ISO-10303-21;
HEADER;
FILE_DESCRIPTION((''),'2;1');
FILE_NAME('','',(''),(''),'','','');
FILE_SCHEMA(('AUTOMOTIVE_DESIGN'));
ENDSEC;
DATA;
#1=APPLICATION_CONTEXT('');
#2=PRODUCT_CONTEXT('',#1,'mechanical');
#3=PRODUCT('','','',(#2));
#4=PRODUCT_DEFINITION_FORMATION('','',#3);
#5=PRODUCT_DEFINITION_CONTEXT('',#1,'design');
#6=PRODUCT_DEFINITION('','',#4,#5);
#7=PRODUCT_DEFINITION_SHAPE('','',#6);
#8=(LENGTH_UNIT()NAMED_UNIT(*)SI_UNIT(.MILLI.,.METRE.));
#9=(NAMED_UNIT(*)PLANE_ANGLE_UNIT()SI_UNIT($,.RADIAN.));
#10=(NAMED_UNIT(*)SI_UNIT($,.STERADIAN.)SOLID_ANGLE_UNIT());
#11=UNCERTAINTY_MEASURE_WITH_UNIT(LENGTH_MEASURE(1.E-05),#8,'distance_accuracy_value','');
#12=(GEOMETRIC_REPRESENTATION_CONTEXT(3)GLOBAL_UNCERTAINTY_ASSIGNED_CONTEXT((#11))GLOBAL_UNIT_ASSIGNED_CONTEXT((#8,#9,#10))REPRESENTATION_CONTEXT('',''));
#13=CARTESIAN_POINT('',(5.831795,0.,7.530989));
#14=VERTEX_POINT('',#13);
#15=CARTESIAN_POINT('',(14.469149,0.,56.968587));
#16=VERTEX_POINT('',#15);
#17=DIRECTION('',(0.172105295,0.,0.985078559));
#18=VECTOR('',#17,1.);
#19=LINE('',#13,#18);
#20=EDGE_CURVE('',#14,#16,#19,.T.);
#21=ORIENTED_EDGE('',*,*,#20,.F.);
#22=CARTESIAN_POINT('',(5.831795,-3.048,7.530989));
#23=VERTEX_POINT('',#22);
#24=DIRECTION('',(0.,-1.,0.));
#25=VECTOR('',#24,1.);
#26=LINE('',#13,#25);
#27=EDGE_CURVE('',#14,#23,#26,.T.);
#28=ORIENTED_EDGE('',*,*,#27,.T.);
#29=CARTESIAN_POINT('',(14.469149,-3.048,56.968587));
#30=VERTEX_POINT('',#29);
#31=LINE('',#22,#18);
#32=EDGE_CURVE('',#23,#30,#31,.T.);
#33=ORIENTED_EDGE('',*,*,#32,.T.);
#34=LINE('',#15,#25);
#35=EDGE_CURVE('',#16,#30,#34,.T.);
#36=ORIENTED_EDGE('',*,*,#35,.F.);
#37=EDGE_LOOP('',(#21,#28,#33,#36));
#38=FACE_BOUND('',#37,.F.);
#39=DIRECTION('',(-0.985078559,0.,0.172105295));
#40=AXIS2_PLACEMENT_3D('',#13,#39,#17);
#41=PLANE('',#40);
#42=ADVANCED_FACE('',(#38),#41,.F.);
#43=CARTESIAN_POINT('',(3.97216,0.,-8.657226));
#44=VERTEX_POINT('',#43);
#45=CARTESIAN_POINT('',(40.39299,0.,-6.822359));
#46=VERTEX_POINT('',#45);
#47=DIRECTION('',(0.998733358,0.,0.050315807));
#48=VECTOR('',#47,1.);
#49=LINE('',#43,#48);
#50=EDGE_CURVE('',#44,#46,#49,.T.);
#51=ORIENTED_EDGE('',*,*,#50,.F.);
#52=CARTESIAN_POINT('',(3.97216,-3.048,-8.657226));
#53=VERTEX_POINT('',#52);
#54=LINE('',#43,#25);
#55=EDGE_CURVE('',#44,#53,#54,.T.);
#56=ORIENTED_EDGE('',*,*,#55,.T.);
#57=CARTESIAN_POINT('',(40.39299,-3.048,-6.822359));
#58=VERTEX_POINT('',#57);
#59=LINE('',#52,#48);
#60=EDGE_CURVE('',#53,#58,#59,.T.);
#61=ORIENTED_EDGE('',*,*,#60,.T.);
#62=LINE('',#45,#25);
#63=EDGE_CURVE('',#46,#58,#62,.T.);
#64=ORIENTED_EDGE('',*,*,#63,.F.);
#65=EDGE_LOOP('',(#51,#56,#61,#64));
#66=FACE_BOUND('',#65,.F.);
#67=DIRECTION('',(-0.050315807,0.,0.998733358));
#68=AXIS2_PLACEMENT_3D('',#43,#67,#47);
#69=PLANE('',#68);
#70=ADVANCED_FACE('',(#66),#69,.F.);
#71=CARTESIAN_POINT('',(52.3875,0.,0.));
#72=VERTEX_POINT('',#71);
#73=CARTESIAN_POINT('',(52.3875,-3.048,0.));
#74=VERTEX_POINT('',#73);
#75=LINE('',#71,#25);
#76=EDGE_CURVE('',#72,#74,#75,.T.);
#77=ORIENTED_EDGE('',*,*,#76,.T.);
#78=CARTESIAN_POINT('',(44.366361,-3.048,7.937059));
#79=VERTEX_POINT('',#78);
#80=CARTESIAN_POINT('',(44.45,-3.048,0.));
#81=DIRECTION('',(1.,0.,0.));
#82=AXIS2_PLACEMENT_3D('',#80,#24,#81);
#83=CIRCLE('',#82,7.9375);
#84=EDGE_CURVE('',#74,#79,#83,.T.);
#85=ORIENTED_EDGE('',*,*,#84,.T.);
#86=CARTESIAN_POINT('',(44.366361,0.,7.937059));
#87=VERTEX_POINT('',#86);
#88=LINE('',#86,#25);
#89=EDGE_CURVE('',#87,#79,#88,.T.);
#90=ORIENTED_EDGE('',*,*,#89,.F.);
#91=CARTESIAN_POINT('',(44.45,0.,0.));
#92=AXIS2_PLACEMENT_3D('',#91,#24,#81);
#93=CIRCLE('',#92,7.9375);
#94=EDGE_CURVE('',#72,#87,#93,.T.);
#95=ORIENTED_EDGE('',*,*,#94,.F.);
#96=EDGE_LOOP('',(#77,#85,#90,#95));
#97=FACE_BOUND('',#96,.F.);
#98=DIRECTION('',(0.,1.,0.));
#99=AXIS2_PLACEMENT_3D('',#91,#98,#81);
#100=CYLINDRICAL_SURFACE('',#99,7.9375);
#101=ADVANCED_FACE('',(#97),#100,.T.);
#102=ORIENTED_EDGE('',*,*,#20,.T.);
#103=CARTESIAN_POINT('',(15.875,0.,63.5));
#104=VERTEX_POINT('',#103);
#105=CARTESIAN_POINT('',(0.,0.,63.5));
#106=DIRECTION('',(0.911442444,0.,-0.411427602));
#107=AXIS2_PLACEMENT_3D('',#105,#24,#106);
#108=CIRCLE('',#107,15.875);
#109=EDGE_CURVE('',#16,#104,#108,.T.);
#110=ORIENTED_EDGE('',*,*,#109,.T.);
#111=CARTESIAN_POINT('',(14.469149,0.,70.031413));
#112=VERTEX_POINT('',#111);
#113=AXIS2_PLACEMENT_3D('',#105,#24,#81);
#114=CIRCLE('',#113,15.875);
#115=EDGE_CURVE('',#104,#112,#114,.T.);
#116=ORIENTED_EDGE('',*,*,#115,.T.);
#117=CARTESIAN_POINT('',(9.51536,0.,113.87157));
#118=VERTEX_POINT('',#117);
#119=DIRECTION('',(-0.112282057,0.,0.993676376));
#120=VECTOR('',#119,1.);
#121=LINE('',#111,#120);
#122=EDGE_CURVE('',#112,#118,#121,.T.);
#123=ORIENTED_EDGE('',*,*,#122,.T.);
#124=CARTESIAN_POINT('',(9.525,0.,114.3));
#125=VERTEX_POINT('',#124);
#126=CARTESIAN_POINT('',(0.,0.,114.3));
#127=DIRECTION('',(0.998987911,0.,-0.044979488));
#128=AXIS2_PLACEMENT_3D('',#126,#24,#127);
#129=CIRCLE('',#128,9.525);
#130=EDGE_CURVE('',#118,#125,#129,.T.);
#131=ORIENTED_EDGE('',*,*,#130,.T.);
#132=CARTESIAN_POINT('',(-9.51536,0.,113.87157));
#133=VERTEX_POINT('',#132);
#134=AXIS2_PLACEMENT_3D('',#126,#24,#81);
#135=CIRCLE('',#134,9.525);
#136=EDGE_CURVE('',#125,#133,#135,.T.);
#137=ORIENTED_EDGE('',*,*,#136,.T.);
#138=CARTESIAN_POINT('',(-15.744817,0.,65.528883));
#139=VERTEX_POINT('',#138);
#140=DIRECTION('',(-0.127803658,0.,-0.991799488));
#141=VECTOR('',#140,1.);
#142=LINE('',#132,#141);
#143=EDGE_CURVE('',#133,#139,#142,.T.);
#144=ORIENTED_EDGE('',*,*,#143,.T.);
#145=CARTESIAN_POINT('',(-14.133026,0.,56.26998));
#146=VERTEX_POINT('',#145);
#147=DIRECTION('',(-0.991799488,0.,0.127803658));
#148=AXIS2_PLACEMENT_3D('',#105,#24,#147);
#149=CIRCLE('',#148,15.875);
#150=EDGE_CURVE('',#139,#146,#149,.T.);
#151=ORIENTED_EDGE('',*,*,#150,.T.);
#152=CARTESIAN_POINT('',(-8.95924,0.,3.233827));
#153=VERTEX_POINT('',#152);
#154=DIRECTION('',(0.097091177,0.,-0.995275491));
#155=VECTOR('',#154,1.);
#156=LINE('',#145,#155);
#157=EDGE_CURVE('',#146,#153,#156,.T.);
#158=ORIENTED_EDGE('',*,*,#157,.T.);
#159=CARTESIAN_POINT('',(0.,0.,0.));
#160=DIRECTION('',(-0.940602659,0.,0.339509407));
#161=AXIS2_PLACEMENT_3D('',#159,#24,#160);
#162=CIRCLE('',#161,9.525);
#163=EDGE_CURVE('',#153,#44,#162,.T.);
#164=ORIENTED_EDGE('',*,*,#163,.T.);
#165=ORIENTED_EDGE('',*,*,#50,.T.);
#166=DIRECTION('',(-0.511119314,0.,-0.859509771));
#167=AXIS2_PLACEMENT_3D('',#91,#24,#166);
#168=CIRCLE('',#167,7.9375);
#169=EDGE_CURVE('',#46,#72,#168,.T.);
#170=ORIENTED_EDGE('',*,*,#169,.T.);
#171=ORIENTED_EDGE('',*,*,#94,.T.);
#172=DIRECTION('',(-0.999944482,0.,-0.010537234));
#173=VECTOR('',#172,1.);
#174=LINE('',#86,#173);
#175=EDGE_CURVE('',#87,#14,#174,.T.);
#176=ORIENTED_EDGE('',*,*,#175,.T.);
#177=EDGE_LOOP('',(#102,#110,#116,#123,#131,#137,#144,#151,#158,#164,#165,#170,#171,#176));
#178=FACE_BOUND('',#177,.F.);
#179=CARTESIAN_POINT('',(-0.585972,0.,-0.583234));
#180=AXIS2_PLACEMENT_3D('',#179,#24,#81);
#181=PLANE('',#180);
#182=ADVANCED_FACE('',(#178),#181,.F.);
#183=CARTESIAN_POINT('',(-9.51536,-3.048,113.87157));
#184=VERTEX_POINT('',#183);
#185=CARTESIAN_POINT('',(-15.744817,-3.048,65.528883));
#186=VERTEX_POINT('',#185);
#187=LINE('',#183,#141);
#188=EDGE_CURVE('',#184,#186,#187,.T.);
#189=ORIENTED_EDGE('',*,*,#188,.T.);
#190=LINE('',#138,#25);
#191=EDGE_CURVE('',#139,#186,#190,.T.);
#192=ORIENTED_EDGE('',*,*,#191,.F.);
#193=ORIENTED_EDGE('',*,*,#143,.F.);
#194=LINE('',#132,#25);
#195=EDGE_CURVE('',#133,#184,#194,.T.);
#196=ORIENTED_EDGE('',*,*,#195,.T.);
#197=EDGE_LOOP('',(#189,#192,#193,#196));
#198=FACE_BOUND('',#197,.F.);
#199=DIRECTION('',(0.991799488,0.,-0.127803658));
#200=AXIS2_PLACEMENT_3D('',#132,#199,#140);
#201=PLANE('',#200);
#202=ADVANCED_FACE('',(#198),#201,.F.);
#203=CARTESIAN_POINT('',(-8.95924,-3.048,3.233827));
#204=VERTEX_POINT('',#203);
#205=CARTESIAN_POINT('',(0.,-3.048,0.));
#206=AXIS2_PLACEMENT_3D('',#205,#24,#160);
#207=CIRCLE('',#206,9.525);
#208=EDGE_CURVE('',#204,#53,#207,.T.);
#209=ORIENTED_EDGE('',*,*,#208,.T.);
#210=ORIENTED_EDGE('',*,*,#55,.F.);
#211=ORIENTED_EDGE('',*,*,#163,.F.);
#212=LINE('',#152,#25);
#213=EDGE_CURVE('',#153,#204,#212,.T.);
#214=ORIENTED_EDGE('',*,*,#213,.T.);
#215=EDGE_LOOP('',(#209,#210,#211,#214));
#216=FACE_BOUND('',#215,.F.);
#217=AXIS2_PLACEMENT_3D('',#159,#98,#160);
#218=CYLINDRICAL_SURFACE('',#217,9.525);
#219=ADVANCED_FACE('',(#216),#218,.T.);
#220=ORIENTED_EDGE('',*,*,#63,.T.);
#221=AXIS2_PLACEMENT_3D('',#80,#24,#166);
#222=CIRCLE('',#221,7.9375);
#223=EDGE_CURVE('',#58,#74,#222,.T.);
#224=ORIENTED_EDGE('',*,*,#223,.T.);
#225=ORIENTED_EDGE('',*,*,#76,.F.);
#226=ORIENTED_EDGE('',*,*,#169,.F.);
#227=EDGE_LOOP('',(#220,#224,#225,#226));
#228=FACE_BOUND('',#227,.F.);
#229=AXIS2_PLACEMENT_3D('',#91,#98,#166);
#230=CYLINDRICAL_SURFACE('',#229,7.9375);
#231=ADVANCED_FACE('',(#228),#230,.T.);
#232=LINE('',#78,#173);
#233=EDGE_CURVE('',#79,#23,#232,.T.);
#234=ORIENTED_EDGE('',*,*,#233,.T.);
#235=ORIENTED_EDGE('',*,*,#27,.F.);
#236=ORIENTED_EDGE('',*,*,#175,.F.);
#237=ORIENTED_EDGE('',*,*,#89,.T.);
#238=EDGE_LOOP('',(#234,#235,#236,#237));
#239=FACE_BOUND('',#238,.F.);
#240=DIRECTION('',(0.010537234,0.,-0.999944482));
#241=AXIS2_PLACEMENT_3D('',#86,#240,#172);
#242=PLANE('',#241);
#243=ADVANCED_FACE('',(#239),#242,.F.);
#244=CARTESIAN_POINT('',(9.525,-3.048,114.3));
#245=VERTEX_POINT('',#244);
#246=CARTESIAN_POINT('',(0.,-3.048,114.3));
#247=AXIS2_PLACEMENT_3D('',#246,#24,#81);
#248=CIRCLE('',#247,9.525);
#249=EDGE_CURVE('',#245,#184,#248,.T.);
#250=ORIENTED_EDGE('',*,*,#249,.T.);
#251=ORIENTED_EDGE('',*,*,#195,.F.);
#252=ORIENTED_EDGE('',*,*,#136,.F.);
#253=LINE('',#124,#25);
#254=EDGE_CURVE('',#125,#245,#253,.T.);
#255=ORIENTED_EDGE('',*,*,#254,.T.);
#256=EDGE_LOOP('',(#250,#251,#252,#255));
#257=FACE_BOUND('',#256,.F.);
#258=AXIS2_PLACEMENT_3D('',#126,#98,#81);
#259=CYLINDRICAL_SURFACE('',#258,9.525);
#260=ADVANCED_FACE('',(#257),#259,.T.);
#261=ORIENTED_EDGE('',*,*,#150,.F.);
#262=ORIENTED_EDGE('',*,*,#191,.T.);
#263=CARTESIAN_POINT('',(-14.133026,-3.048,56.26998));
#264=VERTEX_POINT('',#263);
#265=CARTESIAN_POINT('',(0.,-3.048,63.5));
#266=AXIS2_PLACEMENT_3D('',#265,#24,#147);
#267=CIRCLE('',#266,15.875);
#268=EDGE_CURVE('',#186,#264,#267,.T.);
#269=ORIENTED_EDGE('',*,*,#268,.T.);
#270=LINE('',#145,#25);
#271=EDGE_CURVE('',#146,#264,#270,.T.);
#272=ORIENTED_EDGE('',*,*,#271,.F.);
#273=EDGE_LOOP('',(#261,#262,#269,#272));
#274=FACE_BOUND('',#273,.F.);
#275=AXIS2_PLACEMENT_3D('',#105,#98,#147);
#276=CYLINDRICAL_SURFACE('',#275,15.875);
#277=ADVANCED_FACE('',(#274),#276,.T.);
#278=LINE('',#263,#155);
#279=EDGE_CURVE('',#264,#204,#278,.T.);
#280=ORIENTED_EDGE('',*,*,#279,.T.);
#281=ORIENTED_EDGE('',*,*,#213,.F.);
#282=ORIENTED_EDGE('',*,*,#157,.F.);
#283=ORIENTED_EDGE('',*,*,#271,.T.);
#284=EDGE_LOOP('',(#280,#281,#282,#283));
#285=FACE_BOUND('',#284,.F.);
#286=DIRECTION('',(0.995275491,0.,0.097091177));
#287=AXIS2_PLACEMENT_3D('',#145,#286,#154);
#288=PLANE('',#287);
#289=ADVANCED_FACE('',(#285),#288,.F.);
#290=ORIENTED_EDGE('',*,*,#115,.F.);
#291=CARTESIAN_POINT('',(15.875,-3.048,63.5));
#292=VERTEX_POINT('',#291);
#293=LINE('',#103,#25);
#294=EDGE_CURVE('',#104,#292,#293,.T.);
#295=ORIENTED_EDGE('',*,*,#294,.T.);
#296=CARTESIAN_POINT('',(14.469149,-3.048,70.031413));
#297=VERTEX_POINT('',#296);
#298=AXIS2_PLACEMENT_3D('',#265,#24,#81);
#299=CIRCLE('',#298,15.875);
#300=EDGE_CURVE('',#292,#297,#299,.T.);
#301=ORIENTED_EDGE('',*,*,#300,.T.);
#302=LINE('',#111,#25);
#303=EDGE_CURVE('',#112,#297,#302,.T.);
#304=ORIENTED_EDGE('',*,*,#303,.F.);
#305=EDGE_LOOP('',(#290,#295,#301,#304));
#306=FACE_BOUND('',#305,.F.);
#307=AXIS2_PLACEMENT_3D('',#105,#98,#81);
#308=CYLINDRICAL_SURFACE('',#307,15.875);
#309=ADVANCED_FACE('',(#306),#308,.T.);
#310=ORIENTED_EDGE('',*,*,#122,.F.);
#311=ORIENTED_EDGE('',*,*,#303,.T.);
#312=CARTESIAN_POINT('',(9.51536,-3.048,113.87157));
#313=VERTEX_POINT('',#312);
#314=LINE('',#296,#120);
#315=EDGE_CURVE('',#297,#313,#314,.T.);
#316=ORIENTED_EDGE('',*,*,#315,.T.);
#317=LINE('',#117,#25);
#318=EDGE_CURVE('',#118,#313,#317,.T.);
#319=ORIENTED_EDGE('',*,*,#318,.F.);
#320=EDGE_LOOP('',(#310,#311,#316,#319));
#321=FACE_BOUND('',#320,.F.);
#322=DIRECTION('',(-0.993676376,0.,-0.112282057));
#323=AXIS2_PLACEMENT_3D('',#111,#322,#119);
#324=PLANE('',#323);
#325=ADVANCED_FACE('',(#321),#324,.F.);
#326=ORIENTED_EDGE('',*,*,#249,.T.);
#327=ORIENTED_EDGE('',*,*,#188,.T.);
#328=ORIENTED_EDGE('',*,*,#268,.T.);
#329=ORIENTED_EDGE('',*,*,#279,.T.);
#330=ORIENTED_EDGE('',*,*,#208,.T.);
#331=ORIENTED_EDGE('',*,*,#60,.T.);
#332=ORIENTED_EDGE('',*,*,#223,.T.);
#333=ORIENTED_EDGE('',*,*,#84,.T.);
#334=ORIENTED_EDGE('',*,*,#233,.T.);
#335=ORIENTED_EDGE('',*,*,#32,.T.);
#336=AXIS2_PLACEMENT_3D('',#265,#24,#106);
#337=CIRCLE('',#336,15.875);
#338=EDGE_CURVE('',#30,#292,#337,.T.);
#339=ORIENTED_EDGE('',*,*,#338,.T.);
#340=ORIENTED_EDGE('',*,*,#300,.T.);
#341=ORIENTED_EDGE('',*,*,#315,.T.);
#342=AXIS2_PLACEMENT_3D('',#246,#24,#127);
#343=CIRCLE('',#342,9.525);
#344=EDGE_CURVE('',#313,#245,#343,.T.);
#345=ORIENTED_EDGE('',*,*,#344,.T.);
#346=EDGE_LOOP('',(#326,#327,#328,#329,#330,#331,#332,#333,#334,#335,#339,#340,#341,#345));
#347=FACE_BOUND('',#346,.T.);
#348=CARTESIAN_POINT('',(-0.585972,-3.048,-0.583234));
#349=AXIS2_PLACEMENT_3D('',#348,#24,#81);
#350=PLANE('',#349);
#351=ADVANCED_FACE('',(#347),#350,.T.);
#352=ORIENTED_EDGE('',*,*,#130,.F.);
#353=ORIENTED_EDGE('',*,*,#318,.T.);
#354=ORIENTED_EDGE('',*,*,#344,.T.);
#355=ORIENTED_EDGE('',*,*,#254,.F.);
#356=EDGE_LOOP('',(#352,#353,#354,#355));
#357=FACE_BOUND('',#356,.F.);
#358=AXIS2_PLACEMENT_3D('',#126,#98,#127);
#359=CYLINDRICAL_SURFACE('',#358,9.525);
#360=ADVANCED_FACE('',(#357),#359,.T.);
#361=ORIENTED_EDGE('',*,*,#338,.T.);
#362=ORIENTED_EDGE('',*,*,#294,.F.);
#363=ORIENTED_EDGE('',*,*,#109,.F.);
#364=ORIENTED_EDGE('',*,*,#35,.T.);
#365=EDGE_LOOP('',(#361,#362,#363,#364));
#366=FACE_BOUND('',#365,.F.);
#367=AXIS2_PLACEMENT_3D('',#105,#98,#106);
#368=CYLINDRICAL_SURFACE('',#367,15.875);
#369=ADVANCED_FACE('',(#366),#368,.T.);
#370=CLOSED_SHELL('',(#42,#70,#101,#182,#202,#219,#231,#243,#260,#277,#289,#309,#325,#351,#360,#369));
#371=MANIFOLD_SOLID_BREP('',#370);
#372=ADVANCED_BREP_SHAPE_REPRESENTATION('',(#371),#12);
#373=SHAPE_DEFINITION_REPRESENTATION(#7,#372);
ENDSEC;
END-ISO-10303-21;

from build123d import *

# Parameters (mm, degrees)
F1_DEPTH = 3.048


with BuildPart() as f1:
    # F0 (on Front) → F1 (new body)
    with BuildSketch(Plane.XZ):
        with BuildLine():
            Line((9.525, 0), (0, 0))
            Line((0, 0), (0, 9.525))
            ThreePointArc((0, 9.525), (-5.473729162, 7.7951211704), (-8.95924033, 3.2338270994))
            ThreePointArc((-8.95924033, 3.2338270994), (-6.4472498387, -7.0113190283), (3.9721601425, -8.657226392))
            ThreePointArc((3.9721601425, -8.657226392), (8.0174949441, -5.1425090978), (9.525, 0))
        make_face()
        with BuildLine():
            Line((0, 9.525), (0, 0))
            Line((0, 0), (9.525, 0))
            ThreePointArc((9.525, 0), (8.5520017953, 4.1939110974), (5.8317946892, 7.5309890255))
            ThreePointArc((5.8317946892, 7.5309890255), (3.0816354856, 9.0127214388), (0, 9.525))
        make_face()
        with BuildLine():
            ThreePointArc((-8.95924033, 3.2338270994), (-5.473729162, 7.7951211704), (0, 9.525))
            Line((0, 9.525), (0, 47.625))
            ThreePointArc((0, 47.625), (-8.2836905365, 49.957618522), (-14.1330264303, 56.2699800194))
            Line((-14.1330264303, 56.2699800194), (-8.95924033, 3.2338270994))
        make_face()
        with BuildLine():
            Line((0, 47.625), (0, 9.525))
            ThreePointArc((0, 9.525), (3.0816354856, 9.0127214388), (5.8317946892, 7.5309890255))
            Line((5.8317946892, 7.5309890255), (14.4691487973, 56.9685868235))
            ThreePointArc((14.4691487973, 56.9685868235), (8.6118941245, 50.1639246932), (0, 47.625))
        make_face()
        with BuildLine():
            Line((36.5125, 0), (9.525, 0))
            ThreePointArc((9.525, 0), (8.0174949441, -5.1425090978), (3.9721601425, -8.657226392))
            Line((3.9721601425, -8.657226392), (40.3929904428, -6.8223588078))
            ThreePointArc((40.3929904428, -6.8223588078), (37.5504920607, -3.9243721084), (36.5125, 0))
        make_face()
        with BuildLine():
            ThreePointArc((5.8317946892, 7.5309890255), (8.5520017953, 4.1939110974), (9.525, 0))
            Line((9.525, 0), (36.5125, 0))
            ThreePointArc((36.5125, 0), (38.8078464582, 5.5830108061), (44.366360702, 7.9370593243))
            Line((44.366360702, 7.9370593243), (5.8317946892, 7.5309890255))
        make_face()
        with BuildLine():
            ThreePointArc((-14.1330264303, 56.2699800194), (-8.2836905365, 49.957618522), (0, 47.625))
            Line((0, 47.625), (0, 63.5))
            Line((0, 63.5), (0, 79.375))
            ThreePointArc((0, 79.375), (-10.4834895471, 75.4210767935), (-15.7448168762, 65.528883076))
            ThreePointArc((-15.7448168762, 65.528883076), (-15.6397954467, 60.7774233922), (-14.1330264303, 56.2699800194))
        make_face()
        with BuildLine():
            Line((0, 63.5), (0, 47.625))
            ThreePointArc((0, 47.625), (8.6118941245, 50.1639246932), (14.4691487973, 56.9685868235))
            ThreePointArc((14.4691487973, 56.9685868235), (15.5195580181, 60.1594994505), (15.875, 63.5))
            ThreePointArc((15.875, 63.5), (15.5195580181, 66.8405005495), (14.4691487973, 70.0314131765))
            ThreePointArc((14.4691487973, 70.0314131765), (8.6118941245, 76.8360753068), (0, 79.375))
            Line((0, 79.375), (0, 63.5))
        make_face()
        with BuildLine():
            ThreePointArc((44.366360702, 7.9370593243), (38.8078464582, 5.5830108061), (36.5125, 0))
            ThreePointArc((36.5125, 0), (37.5504920607, -3.9243721084), (40.3929904428, -6.8223588078))
            ThreePointArc((40.3929904428, -6.8223588078), (48.3743721084, -6.8995079393), (52.3875, 0))
            ThreePointArc((52.3875, 0), (50.0330108061, 5.6421535418), (44.366360702, 7.9370593243))
        make_face()
        with BuildLine():
            Line((0, 104.775), (0, 79.375))
            ThreePointArc((0, 79.375), (8.6118941245, 76.8360753068), (14.4691487973, 70.0314131765))
            Line((14.4691487973, 70.0314131765), (9.5153598494, 113.8715703832))
            ThreePointArc((9.5153598494, 113.8715703832), (6.581976637, 107.4150011946), (0, 104.775))
        make_face()
        with BuildLine():
            ThreePointArc((-15.7448168762, 65.528883076), (-10.4834895471, 75.4210767935), (0, 79.375))
            Line((0, 79.375), (0, 104.775))
            ThreePointArc((0, 104.775), (-6.581976637, 107.4150011946), (-9.5153598494, 113.8715703832))
            Line((-9.5153598494, 113.8715703832), (-15.7448168762, 65.528883076))
        make_face()
        with BuildLine():
            ThreePointArc((-9.5153598494, 113.8715703832), (-6.581976637, 107.4150011946), (0, 104.775))
            ThreePointArc((0, 104.775), (6.581976637, 107.4150011946), (9.5153598494, 113.8715703832))
            ThreePointArc((9.5153598494, 113.8715703832), (9.5225896574, 114.0857309699), (9.525, 114.3))
            ThreePointArc((9.525, 114.3), (-0.2142690301, 123.8225896574), (-9.5153598494, 113.8715703832))
        make_face()
    extrude(amount=F1_DEPTH)


solid = f1.part
